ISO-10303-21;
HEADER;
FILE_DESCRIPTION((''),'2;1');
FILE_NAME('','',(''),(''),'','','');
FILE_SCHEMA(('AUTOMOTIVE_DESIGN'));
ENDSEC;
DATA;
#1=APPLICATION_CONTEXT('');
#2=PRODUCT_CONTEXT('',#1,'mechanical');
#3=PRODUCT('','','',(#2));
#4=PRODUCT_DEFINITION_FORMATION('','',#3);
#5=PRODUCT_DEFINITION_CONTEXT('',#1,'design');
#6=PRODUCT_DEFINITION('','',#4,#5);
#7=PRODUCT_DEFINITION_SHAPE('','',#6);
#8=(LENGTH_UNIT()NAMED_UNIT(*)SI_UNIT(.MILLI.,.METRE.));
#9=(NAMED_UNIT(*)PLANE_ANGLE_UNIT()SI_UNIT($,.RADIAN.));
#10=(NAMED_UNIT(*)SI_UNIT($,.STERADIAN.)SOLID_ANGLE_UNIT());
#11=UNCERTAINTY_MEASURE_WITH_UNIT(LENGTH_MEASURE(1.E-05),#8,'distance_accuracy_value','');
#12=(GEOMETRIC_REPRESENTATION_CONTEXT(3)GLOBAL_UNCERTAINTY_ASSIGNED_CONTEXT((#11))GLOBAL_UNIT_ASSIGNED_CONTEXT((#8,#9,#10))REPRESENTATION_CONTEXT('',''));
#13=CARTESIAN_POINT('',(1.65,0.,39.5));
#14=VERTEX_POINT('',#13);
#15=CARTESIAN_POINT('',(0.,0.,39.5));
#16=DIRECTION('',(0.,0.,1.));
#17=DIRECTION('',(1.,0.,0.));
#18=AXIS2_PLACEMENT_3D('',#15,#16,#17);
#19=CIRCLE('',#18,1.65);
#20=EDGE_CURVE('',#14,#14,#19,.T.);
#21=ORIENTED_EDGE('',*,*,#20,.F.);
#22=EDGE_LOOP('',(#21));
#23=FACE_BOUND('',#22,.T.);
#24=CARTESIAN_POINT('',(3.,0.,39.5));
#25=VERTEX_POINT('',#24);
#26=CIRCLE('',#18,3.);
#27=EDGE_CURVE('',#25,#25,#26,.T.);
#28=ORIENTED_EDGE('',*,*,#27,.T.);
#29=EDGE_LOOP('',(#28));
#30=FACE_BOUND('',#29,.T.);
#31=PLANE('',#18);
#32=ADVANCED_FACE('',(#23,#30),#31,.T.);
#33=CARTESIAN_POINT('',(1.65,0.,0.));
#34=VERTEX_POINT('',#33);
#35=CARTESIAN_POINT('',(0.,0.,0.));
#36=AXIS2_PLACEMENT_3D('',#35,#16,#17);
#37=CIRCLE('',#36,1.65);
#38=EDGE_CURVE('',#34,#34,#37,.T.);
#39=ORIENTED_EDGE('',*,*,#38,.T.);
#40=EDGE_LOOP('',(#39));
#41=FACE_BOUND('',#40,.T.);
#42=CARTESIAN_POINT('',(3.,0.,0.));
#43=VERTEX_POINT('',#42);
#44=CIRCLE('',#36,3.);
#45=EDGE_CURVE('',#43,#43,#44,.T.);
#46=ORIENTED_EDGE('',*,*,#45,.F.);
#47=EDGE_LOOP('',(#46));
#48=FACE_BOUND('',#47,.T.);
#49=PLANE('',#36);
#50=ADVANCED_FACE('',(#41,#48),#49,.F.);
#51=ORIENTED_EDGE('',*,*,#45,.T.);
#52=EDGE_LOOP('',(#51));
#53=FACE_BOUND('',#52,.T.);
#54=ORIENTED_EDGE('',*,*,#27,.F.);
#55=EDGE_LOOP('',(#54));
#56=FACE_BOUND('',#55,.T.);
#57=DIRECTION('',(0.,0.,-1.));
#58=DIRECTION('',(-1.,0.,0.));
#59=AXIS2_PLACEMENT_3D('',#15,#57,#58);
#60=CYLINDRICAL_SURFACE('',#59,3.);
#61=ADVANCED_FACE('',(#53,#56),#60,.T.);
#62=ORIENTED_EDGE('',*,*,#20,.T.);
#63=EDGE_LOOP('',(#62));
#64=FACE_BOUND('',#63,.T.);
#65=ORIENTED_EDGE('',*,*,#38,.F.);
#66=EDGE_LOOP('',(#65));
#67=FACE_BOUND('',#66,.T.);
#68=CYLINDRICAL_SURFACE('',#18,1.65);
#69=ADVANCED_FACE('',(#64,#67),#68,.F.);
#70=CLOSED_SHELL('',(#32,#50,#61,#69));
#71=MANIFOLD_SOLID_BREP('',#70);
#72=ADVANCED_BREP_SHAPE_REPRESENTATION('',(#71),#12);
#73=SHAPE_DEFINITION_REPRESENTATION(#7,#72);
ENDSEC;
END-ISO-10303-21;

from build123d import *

# Parameters (mm, degrees)
SKETCH_1_R         = 3
EXTRUDE_1_DEPTH    = 39.5
HOLE_WIZARD_M4_1_D = 3.3


with BuildPart() as part:
    # 草图1 → 凸台-拉伸1 (new body)
    with BuildSketch(Plane.XY):
        Circle(SKETCH_1_R)
    extrude(amount=EXTRUDE_1_DEPTH)

    # M4 螺纹孔1 (through all)
    with Locations(Plane.XY.offset(39.5)):
        with Locations((0, 0)):
            Hole(HOLE_WIZARD_M4_1_D / 2)


solid = part.part
